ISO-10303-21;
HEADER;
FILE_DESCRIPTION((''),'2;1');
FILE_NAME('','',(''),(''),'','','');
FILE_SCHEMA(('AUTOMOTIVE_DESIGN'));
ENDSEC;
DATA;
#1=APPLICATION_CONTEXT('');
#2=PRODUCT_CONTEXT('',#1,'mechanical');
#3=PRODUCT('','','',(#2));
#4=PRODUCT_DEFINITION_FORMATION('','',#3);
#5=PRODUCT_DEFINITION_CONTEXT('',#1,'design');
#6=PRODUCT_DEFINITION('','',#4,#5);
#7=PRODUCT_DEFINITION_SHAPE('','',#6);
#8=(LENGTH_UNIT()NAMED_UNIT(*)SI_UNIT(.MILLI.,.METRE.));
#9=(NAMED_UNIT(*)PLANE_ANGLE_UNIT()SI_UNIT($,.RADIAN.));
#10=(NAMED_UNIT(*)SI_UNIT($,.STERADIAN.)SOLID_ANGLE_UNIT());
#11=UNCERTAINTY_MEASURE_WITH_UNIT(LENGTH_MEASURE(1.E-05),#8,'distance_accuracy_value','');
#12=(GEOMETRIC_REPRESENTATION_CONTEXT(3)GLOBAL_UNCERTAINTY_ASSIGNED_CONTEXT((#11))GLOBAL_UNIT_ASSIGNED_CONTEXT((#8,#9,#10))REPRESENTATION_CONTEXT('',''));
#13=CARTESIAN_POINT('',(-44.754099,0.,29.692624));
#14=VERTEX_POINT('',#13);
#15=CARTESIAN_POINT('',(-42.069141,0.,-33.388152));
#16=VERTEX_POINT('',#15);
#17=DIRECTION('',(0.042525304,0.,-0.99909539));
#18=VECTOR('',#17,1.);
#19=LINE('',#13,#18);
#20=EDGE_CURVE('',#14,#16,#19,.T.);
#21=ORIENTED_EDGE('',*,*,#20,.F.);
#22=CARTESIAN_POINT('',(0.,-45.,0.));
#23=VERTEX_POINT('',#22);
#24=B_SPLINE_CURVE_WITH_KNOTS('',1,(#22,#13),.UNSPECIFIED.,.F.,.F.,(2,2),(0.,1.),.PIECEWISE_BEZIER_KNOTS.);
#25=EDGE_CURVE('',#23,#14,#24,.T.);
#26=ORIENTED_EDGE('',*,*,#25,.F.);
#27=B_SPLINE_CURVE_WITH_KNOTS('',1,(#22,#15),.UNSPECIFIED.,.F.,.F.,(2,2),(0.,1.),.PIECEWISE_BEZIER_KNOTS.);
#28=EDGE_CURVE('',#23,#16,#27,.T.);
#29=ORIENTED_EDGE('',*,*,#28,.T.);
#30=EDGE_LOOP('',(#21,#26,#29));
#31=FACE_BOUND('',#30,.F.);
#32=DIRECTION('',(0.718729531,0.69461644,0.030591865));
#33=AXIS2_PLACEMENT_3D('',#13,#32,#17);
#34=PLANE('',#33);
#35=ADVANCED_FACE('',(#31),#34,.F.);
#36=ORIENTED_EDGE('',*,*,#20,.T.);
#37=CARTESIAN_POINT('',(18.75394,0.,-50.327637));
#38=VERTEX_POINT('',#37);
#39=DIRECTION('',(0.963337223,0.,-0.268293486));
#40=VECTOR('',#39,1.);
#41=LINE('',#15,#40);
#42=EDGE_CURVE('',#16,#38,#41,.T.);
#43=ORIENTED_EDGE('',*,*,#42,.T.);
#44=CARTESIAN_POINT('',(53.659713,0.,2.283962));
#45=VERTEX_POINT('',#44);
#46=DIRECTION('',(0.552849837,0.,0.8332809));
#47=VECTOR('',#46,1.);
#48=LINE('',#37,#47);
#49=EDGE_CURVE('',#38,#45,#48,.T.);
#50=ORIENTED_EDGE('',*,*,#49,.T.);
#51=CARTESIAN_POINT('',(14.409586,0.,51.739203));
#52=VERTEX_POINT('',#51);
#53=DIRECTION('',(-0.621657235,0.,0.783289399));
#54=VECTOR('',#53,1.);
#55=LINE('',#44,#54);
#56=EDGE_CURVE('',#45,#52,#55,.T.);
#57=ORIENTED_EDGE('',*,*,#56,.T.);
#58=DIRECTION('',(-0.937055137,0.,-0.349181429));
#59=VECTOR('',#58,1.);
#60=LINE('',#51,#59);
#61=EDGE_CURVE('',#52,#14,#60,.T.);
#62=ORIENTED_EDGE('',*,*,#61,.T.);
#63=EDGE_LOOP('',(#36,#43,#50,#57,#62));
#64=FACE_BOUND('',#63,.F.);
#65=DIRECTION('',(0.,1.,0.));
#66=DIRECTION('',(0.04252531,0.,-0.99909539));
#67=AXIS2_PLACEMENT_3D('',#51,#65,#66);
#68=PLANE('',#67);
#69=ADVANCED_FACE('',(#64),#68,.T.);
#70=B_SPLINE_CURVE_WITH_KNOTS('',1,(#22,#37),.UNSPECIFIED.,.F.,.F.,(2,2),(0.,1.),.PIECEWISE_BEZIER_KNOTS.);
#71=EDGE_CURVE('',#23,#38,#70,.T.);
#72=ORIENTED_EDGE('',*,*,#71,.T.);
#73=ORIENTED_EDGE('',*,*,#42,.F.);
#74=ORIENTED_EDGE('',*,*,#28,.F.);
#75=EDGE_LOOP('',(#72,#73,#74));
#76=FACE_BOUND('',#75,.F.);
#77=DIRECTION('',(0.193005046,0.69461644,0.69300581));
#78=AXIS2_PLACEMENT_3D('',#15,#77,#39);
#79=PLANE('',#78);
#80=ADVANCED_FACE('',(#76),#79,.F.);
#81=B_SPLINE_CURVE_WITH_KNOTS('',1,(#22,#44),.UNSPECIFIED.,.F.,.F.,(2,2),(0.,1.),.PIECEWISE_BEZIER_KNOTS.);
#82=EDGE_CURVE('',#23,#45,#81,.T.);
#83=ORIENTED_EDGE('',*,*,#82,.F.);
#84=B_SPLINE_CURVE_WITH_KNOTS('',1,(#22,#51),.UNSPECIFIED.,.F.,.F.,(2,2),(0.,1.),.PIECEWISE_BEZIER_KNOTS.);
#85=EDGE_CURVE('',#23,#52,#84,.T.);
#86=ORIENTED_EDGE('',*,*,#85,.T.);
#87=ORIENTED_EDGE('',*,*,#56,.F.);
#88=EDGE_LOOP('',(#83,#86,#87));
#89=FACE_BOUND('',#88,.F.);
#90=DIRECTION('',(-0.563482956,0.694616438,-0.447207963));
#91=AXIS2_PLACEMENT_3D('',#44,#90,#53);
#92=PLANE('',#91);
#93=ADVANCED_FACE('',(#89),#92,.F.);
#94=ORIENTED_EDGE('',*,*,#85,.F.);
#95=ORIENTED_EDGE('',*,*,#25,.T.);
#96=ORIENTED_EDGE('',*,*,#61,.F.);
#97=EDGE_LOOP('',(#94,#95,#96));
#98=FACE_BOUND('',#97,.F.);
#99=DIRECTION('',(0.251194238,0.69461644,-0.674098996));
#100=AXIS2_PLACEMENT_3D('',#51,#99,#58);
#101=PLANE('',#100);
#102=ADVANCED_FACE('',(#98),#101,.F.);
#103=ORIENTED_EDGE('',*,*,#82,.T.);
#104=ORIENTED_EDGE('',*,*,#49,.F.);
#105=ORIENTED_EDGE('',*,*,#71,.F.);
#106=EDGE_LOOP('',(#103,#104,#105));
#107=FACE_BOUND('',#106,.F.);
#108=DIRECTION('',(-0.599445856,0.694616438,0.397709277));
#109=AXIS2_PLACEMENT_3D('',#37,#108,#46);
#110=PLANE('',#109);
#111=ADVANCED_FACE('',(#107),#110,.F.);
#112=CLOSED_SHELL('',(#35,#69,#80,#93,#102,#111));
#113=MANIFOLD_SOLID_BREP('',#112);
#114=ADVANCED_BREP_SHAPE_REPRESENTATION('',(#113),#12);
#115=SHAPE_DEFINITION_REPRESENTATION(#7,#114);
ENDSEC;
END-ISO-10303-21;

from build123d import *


with BuildPart() as f3:
    # F0 (on Front) → F3 section 0
    with BuildSketch(Plane.XZ, mode=Mode.PRIVATE) as f3_s0:
        Polygon((14.409586, 51.739203), (-44.754099, 29.692624), (-42.069141, -33.388152), (18.75394, -50.327637), (53.659713, 2.283962), align=None)
    loft([Vertex(0, -45, 0), f3_s0.sketch])


solid = f3.part
